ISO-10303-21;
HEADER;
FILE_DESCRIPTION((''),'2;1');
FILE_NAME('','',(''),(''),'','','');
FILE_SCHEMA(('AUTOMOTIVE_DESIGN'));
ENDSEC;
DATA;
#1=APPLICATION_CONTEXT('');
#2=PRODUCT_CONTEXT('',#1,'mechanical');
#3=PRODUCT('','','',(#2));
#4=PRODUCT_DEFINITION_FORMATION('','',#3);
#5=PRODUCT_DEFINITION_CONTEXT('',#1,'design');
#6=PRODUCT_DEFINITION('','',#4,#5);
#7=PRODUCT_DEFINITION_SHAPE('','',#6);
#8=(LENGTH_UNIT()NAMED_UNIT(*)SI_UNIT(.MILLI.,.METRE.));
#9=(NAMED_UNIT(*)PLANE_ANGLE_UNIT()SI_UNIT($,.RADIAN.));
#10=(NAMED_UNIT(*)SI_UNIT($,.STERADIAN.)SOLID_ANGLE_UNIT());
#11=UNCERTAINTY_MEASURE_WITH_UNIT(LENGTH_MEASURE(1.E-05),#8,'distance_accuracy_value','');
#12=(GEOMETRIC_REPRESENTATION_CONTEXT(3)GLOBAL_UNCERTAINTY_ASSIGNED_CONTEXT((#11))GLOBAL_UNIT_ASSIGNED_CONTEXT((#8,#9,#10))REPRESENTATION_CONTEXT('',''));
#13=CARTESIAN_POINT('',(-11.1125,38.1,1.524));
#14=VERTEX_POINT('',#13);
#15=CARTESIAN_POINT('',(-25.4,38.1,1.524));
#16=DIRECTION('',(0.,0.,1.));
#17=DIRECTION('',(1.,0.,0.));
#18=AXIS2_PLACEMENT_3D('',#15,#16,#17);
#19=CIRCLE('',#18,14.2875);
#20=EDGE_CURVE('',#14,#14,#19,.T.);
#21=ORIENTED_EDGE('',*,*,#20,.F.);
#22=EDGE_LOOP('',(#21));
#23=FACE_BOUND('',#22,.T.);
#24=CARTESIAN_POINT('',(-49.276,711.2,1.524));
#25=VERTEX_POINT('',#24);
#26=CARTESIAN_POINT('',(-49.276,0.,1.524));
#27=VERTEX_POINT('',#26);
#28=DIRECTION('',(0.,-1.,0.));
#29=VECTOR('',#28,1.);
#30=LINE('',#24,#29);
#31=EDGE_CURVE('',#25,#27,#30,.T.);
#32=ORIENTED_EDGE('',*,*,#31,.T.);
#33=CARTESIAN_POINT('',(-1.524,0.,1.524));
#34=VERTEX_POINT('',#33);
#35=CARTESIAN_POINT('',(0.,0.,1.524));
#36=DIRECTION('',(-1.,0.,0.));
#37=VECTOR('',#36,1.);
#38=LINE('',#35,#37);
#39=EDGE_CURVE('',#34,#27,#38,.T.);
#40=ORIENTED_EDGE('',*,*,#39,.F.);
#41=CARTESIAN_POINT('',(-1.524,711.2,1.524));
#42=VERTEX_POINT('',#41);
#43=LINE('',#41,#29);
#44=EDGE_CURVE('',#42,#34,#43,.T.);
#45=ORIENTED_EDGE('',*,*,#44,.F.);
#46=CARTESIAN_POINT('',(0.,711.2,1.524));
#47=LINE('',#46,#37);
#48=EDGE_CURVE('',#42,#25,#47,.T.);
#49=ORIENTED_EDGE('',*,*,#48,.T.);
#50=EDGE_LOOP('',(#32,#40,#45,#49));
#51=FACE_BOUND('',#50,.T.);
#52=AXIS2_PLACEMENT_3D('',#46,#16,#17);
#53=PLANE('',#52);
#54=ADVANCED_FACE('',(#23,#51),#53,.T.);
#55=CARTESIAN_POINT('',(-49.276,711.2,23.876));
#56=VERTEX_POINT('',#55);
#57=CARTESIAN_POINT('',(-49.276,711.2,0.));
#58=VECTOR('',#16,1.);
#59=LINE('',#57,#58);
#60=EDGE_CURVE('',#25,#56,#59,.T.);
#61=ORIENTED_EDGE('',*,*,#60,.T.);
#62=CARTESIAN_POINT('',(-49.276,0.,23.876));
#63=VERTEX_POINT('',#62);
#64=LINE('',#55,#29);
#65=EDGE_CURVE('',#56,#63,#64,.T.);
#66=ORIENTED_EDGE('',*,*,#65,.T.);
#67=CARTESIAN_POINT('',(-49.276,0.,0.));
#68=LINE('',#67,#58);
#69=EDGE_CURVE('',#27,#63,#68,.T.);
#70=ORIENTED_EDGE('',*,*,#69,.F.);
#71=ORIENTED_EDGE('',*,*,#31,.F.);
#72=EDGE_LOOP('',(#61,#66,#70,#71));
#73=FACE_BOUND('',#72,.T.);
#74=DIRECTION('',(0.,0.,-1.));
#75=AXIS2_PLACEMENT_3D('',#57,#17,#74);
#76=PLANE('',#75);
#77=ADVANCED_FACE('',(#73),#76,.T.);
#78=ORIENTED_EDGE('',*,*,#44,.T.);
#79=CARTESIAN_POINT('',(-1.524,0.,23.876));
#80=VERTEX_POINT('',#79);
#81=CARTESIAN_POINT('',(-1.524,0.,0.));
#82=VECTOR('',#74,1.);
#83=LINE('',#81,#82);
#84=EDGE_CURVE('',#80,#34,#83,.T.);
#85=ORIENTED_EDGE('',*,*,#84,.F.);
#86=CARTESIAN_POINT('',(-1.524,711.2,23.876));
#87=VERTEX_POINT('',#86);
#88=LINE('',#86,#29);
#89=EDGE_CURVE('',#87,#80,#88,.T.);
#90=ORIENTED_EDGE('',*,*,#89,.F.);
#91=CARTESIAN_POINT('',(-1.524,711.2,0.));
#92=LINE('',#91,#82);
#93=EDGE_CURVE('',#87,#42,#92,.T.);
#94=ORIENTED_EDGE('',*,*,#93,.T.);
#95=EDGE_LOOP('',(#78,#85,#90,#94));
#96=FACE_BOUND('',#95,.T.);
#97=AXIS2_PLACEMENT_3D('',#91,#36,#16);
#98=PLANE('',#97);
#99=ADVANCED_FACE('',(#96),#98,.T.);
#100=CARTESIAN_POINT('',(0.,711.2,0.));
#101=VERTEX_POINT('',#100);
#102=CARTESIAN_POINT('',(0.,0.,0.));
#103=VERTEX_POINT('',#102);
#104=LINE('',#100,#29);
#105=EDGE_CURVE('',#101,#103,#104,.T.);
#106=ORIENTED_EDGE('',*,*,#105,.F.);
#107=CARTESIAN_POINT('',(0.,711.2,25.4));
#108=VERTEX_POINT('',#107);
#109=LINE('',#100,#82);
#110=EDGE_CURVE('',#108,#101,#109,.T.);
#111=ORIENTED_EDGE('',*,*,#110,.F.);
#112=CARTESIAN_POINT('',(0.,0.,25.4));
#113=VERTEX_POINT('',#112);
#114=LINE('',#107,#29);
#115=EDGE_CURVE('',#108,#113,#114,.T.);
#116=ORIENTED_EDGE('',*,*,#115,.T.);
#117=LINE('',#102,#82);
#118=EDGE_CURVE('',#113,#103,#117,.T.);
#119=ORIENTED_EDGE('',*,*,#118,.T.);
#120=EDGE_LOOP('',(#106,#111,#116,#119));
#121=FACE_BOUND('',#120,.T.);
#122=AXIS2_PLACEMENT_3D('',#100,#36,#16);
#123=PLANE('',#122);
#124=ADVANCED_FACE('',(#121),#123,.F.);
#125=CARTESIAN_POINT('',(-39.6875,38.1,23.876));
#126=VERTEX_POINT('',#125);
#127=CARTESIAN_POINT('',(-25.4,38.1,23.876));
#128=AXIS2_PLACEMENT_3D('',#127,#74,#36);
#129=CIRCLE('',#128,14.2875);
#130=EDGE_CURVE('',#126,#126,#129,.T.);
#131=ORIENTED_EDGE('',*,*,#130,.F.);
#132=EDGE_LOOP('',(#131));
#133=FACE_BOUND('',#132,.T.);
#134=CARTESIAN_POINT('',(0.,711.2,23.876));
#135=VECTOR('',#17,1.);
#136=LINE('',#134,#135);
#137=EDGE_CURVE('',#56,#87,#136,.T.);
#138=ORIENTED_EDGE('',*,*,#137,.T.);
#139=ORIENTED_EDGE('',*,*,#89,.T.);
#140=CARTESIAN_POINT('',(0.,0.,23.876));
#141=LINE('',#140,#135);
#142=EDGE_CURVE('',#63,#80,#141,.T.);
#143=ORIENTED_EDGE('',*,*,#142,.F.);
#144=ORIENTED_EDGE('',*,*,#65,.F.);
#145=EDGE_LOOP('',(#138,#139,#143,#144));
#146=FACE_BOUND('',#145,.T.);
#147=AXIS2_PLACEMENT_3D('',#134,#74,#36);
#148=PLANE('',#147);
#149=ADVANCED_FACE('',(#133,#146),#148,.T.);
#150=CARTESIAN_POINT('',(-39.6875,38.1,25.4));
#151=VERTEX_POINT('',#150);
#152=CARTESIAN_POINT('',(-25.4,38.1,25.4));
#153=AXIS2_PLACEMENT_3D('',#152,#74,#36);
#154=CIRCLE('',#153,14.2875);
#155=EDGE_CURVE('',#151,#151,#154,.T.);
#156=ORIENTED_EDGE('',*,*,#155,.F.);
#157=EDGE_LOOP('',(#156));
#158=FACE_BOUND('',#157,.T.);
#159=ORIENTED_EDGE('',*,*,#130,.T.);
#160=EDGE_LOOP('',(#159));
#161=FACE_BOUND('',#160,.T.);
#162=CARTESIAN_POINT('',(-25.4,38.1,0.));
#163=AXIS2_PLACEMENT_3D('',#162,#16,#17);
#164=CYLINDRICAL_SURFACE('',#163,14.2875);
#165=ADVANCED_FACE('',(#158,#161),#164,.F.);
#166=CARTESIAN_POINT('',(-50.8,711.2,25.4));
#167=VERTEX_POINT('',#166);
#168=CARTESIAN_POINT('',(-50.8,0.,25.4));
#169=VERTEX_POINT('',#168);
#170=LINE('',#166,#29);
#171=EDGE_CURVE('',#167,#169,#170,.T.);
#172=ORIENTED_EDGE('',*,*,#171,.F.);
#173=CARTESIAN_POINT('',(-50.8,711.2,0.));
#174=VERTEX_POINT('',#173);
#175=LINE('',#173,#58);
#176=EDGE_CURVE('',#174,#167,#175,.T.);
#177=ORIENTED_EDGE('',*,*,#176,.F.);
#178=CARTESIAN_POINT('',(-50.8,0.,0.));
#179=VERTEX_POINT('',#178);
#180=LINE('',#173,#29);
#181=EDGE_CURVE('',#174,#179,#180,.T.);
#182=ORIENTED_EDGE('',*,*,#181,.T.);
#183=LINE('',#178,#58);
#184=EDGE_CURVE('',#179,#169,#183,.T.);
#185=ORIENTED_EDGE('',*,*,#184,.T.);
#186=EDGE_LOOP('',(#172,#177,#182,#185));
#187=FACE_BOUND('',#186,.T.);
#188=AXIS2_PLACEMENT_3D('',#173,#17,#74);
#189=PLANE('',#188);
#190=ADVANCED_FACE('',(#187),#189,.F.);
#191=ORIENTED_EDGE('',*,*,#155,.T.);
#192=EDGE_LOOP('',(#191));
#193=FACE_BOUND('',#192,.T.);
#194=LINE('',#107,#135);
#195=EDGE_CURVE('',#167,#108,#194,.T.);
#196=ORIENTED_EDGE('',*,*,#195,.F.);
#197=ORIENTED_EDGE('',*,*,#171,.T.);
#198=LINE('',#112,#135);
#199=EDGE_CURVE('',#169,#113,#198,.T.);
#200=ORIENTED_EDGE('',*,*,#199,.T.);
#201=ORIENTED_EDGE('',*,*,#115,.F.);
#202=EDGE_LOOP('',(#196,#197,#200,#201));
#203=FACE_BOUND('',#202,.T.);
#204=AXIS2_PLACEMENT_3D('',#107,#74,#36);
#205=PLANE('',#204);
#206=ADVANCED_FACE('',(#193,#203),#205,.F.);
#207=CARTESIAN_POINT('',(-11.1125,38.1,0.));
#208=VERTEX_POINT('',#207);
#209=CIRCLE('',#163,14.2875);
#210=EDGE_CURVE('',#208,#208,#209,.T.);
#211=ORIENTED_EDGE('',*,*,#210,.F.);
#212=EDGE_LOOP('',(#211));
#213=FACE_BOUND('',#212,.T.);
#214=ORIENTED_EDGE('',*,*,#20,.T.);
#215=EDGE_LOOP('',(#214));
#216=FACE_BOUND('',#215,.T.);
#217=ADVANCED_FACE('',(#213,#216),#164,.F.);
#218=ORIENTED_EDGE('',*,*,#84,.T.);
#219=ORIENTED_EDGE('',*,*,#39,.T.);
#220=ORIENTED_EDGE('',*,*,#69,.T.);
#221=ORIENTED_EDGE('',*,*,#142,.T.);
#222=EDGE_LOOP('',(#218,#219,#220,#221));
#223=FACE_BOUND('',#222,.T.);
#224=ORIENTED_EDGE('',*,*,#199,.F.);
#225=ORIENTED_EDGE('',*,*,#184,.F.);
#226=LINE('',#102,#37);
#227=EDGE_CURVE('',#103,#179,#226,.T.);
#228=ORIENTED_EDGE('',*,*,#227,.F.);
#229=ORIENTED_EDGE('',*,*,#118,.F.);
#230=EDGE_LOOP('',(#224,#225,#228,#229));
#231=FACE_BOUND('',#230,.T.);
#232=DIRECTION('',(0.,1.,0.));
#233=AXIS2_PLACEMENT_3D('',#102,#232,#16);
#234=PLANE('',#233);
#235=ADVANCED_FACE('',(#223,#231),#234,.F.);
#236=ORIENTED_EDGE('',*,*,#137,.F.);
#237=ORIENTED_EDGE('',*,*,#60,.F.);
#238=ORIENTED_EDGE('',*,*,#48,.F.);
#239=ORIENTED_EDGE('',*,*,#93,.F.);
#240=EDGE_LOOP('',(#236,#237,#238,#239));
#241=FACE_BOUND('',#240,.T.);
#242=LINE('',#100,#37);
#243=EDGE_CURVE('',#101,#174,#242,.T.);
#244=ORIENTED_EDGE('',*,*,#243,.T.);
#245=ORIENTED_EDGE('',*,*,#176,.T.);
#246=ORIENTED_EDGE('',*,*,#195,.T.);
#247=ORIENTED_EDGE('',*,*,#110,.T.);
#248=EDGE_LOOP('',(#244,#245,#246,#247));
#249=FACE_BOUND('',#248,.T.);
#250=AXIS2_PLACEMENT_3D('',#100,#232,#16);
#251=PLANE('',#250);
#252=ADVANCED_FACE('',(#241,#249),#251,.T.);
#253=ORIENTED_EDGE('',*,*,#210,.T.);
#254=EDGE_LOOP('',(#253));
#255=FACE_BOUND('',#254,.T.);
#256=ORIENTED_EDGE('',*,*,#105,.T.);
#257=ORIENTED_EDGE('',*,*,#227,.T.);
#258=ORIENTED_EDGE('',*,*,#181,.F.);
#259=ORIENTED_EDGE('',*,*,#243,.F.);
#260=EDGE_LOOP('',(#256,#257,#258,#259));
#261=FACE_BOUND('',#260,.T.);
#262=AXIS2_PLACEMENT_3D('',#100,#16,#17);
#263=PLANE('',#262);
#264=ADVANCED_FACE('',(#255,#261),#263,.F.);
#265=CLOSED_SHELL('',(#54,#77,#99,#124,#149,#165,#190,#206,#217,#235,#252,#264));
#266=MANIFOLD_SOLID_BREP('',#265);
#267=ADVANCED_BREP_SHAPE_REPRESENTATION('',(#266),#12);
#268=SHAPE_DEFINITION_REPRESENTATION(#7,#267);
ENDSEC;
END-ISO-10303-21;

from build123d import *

# Parameters (mm, degrees)
SKETCH1_W               = 50.8
SKETCH1_H               = 25.4
SKETCH1_W_2             = 47.752
SKETCH1_H_2             = 22.352
EXTRUDE_THIN1_DEPTH     = 711.2
CUT_EXTRUDE1_DEPTH      = 714.464252784
CUT_EXTRUDE1_DEPTH_BACK = 714.464252784
SKETCH2_R               = 14.2875


with BuildPart() as part:
    # Sketch1 → Extrude-Thin1 (new body)
    with BuildSketch(Plane(origin=(0, 0, 0), x_dir=(1, 0, 0), z_dir=(0, 1, 0))):
        with Locations((-25.4, -12.7)):
            Rectangle(SKETCH1_W, SKETCH1_H)
        with Locations((-25.4, -12.7)):
            Rectangle(SKETCH1_W_2, SKETCH1_H_2, mode=Mode.SUBTRACT)
    extrude(amount=EXTRUDE_THIN1_DEPTH)

    # Sketch2 → Cut-Extrude1 (cut, two sides: drawn at the far end of the back side and taken through both)
    with BuildSketch(Plane.XY.offset(25.4).offset(-CUT_EXTRUDE1_DEPTH_BACK)):
        with Locations(Location((-25.4, 38.1, 0), (0, 0, 180))):
            Circle(SKETCH2_R)
    extrude(amount=CUT_EXTRUDE1_DEPTH + CUT_EXTRUDE1_DEPTH_BACK, mode=Mode.SUBTRACT)


solid = part.part
